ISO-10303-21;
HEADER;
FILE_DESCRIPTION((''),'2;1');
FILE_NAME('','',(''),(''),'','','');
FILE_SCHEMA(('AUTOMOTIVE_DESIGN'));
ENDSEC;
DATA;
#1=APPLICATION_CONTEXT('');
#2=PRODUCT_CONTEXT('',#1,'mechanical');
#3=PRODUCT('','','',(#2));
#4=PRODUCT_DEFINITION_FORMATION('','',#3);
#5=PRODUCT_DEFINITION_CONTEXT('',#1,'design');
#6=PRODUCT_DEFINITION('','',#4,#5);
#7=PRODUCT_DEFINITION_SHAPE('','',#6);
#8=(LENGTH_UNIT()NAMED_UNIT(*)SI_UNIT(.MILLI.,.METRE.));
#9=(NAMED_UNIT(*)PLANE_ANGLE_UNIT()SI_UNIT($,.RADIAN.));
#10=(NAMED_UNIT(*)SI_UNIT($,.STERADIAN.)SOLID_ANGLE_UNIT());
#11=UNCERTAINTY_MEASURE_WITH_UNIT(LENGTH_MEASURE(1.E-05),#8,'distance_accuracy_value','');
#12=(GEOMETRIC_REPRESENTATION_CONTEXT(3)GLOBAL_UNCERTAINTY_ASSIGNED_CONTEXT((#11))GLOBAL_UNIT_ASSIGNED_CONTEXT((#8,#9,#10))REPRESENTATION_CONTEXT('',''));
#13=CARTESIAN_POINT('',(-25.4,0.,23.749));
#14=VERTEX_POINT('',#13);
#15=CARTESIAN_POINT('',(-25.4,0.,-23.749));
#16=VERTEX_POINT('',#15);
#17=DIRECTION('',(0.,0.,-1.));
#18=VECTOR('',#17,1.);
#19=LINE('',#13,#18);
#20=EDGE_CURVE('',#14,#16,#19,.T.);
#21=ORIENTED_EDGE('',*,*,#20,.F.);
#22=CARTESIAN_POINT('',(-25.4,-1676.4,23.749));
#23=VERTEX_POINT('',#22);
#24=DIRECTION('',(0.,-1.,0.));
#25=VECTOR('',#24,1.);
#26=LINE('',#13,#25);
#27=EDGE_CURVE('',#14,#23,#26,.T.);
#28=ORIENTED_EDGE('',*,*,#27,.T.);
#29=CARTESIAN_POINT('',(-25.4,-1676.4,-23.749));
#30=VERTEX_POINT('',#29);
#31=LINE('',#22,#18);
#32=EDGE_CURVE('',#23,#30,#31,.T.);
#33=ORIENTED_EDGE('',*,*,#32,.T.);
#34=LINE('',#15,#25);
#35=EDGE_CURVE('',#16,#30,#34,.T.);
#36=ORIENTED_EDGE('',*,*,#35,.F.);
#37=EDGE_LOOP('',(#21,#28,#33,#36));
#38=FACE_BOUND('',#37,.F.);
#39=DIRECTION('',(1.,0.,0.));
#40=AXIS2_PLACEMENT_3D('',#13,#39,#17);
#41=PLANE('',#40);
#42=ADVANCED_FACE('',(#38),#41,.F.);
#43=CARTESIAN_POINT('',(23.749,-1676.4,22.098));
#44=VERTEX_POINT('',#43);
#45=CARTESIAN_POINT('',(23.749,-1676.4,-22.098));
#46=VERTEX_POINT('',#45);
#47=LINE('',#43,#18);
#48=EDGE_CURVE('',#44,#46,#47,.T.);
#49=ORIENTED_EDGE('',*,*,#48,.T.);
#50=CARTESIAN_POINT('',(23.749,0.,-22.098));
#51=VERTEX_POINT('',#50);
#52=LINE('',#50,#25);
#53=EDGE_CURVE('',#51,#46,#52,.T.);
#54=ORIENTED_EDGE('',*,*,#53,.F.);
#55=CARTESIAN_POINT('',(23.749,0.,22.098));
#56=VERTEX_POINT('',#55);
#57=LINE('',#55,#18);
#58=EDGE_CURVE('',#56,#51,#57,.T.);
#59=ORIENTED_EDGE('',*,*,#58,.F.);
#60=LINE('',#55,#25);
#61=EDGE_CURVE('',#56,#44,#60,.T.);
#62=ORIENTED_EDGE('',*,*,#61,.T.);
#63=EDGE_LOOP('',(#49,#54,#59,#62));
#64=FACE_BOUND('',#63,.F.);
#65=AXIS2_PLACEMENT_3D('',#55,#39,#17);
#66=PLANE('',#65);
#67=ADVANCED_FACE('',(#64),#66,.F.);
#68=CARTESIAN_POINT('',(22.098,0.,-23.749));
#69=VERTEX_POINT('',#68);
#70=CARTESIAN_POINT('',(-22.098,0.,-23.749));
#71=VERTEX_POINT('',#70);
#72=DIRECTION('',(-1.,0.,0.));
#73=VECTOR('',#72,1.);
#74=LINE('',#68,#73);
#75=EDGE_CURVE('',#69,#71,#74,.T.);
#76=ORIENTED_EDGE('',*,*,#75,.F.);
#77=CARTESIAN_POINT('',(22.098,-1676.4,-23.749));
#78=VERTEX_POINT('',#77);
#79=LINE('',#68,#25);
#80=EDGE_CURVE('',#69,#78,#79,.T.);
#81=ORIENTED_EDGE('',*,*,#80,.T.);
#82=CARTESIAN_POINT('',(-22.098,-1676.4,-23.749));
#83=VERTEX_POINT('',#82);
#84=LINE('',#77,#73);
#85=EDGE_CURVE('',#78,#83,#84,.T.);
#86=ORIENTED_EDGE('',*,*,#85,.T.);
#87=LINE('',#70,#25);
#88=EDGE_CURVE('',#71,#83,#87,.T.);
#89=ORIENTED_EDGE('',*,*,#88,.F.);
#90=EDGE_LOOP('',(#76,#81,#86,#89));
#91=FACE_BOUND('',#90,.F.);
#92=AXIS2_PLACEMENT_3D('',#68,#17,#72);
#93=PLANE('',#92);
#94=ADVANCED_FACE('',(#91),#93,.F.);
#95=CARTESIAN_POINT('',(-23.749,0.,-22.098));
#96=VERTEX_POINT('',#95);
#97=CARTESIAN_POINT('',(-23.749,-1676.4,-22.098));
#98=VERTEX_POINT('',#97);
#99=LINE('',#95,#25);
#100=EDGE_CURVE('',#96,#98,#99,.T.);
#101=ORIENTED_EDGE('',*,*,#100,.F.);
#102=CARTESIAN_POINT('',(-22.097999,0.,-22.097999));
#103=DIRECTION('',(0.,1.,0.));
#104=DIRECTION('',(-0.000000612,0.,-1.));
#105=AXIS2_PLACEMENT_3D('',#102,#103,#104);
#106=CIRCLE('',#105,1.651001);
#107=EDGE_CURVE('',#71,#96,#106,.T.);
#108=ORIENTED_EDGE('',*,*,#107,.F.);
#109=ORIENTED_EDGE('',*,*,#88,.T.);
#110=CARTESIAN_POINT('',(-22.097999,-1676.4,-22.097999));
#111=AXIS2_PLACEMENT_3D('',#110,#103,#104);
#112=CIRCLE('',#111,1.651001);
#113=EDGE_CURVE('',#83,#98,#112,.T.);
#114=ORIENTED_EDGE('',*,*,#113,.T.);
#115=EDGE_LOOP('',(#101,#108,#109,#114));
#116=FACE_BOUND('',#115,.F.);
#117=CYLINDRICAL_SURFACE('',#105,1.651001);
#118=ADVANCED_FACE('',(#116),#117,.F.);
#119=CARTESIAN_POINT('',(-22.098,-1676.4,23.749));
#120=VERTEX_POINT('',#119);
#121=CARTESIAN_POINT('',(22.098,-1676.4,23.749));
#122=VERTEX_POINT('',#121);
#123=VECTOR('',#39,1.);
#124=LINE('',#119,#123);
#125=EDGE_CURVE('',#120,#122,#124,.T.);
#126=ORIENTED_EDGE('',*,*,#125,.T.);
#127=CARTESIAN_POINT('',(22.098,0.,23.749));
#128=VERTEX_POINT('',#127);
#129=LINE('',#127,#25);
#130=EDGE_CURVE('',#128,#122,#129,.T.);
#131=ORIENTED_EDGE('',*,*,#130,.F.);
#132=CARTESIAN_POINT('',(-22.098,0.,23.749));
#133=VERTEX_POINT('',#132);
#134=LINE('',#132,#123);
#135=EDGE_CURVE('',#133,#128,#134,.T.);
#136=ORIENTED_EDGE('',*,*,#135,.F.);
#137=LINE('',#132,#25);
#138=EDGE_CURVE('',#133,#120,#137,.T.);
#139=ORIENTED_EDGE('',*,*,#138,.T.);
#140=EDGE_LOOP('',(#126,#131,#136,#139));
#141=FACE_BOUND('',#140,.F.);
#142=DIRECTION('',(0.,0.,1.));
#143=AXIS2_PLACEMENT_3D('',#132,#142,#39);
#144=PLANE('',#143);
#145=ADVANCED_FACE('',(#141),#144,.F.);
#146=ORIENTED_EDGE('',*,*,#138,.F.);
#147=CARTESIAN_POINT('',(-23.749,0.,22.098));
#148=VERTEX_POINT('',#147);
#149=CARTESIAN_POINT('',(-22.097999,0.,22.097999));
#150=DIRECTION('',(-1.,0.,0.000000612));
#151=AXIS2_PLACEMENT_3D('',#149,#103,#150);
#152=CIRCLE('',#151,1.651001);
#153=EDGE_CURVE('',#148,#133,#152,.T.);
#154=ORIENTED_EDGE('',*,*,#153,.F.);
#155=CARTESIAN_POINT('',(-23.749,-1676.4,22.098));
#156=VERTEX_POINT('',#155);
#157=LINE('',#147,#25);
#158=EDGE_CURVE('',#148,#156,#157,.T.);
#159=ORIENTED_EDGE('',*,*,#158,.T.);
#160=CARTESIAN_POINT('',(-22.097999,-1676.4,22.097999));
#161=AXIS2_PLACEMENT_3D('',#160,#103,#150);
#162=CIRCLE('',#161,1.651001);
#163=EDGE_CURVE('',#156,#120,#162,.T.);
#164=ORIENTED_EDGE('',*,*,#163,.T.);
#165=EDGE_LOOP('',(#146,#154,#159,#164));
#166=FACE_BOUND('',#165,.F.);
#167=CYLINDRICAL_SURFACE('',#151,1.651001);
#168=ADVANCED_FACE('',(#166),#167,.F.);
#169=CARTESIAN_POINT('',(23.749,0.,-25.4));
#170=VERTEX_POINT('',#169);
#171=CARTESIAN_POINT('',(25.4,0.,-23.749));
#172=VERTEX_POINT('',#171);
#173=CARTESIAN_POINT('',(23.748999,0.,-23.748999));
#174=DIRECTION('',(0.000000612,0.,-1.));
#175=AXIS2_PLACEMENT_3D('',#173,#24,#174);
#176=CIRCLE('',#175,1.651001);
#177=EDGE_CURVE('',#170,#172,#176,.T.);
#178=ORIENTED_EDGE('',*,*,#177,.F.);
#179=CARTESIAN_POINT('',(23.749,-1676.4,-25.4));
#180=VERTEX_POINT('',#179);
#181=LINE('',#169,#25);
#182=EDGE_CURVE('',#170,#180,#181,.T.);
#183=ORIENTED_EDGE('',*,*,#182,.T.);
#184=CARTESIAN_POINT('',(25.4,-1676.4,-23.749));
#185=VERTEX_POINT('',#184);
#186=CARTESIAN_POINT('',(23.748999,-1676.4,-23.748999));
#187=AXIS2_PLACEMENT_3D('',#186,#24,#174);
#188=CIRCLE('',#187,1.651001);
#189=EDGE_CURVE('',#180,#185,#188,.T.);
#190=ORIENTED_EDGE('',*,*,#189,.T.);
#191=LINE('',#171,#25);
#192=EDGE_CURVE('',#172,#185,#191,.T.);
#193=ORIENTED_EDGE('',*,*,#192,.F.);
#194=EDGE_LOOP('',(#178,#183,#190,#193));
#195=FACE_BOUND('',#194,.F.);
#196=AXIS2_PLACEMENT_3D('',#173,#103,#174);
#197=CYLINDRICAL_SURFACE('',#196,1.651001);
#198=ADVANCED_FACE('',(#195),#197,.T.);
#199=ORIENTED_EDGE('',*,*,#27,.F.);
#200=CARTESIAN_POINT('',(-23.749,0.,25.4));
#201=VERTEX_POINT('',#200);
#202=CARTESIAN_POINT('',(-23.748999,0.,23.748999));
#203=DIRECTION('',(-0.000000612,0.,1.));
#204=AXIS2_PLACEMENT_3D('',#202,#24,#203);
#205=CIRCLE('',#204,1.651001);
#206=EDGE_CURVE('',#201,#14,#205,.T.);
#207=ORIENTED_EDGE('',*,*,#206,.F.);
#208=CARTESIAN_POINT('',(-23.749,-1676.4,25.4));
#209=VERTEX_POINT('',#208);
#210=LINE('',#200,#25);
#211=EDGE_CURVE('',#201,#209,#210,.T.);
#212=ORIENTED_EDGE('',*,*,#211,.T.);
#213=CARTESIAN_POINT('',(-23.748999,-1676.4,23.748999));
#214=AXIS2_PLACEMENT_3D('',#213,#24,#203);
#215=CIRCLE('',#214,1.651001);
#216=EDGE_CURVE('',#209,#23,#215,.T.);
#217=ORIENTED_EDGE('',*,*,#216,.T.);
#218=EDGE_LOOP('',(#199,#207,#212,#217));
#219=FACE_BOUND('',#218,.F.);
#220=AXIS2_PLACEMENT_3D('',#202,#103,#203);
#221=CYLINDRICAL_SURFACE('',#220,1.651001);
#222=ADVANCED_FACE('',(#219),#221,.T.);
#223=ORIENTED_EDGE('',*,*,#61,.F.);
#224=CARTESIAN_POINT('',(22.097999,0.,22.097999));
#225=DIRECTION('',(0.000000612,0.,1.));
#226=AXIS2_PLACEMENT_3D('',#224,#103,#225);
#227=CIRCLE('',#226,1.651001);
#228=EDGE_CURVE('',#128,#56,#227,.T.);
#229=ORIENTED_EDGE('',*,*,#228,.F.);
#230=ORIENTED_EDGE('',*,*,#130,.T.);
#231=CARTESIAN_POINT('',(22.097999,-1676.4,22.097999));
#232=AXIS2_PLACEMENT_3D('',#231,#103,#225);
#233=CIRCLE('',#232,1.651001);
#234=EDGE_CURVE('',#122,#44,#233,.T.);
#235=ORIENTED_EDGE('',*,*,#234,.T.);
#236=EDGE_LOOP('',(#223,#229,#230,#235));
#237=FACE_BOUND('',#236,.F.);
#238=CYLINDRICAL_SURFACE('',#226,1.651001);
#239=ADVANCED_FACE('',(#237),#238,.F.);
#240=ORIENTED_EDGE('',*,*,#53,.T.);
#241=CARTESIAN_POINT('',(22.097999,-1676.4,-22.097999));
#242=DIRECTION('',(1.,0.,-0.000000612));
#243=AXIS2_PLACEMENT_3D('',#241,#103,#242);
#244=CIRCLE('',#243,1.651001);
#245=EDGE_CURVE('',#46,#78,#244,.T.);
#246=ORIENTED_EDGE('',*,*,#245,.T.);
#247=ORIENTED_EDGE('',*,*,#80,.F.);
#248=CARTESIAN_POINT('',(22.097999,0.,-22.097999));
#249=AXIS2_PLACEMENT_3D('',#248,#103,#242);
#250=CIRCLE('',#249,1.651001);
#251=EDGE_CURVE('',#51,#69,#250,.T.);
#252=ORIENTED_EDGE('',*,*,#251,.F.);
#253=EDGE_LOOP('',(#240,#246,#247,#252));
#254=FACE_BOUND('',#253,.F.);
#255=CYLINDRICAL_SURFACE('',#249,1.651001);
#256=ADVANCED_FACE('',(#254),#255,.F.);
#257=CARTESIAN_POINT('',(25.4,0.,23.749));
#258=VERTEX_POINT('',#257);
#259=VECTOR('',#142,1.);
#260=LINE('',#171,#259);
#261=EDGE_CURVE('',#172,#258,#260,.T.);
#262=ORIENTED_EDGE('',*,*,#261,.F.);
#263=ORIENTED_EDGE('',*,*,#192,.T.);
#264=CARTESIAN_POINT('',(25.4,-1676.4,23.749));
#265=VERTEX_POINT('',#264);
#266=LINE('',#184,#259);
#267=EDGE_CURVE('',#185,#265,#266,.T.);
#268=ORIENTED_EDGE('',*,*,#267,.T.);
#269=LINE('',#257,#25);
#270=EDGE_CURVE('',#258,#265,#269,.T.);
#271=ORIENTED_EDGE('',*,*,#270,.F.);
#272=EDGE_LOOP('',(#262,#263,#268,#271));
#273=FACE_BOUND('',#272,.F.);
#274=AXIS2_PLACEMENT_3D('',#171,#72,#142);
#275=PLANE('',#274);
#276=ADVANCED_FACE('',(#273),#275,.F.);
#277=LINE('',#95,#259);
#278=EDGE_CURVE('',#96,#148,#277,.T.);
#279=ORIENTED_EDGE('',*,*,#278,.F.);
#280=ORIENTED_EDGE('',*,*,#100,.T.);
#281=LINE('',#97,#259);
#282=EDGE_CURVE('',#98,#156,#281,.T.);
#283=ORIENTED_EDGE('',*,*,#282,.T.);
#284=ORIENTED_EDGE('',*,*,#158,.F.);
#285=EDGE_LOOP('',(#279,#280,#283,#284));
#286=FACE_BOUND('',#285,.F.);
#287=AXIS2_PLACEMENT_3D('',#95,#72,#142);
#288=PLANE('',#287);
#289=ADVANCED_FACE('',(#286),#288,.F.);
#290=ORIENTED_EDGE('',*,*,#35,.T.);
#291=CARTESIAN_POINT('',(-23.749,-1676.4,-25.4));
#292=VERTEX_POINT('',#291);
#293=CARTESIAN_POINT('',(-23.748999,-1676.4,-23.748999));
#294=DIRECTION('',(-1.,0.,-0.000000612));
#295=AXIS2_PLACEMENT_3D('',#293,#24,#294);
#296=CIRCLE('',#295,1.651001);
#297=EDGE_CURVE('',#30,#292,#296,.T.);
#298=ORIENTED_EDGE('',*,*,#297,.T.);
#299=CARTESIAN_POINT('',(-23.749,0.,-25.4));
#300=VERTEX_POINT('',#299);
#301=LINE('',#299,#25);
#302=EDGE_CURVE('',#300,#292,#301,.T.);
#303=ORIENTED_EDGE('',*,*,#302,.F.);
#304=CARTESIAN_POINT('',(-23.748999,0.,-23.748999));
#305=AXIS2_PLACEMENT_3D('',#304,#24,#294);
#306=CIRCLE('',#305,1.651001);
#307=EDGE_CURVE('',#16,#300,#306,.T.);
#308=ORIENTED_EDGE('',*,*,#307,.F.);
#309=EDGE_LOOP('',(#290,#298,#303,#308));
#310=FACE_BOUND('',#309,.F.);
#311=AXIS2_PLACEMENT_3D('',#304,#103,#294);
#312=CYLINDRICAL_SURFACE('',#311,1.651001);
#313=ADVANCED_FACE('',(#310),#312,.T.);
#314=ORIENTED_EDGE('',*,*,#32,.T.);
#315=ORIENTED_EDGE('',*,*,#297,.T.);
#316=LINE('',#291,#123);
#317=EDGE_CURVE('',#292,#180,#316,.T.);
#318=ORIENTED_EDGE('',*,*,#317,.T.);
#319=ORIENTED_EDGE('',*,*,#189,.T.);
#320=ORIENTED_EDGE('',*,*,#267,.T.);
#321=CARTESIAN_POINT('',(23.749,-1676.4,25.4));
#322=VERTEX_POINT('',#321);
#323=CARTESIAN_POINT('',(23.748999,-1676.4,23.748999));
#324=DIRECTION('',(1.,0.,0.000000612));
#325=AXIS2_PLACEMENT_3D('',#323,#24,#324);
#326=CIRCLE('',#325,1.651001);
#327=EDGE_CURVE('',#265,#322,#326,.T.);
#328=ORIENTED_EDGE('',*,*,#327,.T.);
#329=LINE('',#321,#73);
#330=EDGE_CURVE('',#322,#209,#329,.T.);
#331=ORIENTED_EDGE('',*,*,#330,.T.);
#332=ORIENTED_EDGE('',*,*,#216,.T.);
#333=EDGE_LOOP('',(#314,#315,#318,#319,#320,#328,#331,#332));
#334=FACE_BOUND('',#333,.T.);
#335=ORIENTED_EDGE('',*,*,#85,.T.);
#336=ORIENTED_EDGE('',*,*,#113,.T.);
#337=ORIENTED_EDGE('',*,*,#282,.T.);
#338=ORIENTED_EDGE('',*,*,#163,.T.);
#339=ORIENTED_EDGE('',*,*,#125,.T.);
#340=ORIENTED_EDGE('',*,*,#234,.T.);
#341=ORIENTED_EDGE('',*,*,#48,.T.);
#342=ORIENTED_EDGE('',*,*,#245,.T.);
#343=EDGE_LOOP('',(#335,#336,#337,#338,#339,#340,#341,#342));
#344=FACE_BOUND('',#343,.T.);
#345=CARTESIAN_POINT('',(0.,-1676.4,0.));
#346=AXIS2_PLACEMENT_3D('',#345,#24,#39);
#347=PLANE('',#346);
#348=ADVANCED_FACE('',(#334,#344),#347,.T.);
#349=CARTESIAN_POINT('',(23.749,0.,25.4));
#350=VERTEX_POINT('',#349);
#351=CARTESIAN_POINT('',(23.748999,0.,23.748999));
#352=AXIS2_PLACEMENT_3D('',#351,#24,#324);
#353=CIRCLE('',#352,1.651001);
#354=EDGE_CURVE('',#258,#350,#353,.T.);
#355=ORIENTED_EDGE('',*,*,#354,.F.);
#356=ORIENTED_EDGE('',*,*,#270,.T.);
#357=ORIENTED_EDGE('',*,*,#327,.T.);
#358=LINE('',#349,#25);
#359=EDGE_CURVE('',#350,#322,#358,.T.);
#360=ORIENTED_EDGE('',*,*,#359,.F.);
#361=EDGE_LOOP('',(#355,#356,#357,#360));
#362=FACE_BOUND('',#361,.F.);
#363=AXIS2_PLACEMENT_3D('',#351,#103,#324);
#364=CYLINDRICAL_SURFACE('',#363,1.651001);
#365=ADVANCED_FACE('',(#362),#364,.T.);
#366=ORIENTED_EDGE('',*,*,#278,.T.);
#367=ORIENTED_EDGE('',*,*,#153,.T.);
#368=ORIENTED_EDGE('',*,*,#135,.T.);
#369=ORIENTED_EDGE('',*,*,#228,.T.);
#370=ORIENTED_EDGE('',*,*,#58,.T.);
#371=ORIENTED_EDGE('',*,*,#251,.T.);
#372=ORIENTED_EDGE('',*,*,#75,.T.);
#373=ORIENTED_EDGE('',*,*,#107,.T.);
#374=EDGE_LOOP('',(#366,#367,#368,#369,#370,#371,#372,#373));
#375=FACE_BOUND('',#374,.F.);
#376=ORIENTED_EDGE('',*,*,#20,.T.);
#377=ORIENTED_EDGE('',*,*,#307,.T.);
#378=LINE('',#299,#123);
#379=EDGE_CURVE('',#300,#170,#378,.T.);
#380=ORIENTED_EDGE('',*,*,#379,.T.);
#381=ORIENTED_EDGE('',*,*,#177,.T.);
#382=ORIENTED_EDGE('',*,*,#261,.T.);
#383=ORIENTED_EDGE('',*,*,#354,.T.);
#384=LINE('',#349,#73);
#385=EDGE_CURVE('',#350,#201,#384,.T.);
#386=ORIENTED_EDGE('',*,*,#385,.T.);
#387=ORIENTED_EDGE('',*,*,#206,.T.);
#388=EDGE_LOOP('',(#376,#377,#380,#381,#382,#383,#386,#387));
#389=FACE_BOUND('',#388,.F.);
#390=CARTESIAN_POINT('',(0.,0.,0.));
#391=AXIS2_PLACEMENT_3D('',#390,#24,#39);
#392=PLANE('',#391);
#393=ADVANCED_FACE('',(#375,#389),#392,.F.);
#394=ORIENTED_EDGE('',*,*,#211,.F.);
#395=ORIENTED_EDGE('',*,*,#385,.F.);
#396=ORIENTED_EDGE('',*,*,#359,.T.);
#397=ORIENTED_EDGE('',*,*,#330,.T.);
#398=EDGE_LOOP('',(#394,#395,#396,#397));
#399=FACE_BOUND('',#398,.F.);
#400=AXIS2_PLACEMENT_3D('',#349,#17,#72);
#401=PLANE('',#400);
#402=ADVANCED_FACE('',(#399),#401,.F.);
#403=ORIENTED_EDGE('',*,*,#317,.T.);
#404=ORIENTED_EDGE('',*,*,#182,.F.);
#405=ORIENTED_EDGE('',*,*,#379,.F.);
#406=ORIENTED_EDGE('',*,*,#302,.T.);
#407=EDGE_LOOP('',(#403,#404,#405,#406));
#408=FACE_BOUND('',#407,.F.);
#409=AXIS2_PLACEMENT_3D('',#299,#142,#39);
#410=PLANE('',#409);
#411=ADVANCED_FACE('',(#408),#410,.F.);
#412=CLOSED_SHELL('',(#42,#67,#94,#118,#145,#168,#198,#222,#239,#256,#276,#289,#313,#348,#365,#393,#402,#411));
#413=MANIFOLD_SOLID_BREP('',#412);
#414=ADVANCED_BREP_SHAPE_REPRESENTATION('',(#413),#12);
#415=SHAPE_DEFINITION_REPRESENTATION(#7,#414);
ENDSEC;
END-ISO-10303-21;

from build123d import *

# Parameters (mm, degrees)
F1_DEPTH = 1676.4


with BuildPart() as f1:
    # F0 (on Front) → F1 (new body)
    with BuildSketch(Plane.XZ):
        with BuildLine():
            Line((-23.749, -25.4), (23.749, -25.4))
            ThreePointArc((23.749, -25.4), (24.916433, -24.916433), (25.4, -23.749))
            Line((25.4, -23.749), (25.4, 23.749))
            ThreePointArc((25.4, 23.749), (24.916433, 24.916433), (23.749, 25.4))
            Line((23.749, 25.4), (-23.749, 25.4))
            ThreePointArc((-23.749, 25.4), (-24.916433, 24.916433), (-25.4, 23.749))
            Line((-25.4, 23.749), (-25.4, -23.749))
            ThreePointArc((-25.4, -23.749), (-24.916433, -24.916433), (-23.749, -25.4))
        make_face()
        with BuildLine():
            Line((-22.098, 23.749), (22.098, 23.749))
            ThreePointArc((22.098, 23.749), (23.265433, 23.265433), (23.749, 22.098))
            Line((23.749, 22.098), (23.749, -22.098))
            ThreePointArc((23.749, -22.098), (23.265433, -23.265433), (22.098, -23.749))
            Line((22.098, -23.749), (-22.098, -23.749))
            ThreePointArc((-22.098, -23.749), (-23.265433, -23.265433), (-23.749, -22.098))
            Line((-23.749, -22.098), (-23.749, 22.098))
            ThreePointArc((-23.749, 22.098), (-23.265433, 23.265433), (-22.098, 23.749))
        make_face(mode=Mode.SUBTRACT)
    extrude(amount=F1_DEPTH)


solid = f1.part
